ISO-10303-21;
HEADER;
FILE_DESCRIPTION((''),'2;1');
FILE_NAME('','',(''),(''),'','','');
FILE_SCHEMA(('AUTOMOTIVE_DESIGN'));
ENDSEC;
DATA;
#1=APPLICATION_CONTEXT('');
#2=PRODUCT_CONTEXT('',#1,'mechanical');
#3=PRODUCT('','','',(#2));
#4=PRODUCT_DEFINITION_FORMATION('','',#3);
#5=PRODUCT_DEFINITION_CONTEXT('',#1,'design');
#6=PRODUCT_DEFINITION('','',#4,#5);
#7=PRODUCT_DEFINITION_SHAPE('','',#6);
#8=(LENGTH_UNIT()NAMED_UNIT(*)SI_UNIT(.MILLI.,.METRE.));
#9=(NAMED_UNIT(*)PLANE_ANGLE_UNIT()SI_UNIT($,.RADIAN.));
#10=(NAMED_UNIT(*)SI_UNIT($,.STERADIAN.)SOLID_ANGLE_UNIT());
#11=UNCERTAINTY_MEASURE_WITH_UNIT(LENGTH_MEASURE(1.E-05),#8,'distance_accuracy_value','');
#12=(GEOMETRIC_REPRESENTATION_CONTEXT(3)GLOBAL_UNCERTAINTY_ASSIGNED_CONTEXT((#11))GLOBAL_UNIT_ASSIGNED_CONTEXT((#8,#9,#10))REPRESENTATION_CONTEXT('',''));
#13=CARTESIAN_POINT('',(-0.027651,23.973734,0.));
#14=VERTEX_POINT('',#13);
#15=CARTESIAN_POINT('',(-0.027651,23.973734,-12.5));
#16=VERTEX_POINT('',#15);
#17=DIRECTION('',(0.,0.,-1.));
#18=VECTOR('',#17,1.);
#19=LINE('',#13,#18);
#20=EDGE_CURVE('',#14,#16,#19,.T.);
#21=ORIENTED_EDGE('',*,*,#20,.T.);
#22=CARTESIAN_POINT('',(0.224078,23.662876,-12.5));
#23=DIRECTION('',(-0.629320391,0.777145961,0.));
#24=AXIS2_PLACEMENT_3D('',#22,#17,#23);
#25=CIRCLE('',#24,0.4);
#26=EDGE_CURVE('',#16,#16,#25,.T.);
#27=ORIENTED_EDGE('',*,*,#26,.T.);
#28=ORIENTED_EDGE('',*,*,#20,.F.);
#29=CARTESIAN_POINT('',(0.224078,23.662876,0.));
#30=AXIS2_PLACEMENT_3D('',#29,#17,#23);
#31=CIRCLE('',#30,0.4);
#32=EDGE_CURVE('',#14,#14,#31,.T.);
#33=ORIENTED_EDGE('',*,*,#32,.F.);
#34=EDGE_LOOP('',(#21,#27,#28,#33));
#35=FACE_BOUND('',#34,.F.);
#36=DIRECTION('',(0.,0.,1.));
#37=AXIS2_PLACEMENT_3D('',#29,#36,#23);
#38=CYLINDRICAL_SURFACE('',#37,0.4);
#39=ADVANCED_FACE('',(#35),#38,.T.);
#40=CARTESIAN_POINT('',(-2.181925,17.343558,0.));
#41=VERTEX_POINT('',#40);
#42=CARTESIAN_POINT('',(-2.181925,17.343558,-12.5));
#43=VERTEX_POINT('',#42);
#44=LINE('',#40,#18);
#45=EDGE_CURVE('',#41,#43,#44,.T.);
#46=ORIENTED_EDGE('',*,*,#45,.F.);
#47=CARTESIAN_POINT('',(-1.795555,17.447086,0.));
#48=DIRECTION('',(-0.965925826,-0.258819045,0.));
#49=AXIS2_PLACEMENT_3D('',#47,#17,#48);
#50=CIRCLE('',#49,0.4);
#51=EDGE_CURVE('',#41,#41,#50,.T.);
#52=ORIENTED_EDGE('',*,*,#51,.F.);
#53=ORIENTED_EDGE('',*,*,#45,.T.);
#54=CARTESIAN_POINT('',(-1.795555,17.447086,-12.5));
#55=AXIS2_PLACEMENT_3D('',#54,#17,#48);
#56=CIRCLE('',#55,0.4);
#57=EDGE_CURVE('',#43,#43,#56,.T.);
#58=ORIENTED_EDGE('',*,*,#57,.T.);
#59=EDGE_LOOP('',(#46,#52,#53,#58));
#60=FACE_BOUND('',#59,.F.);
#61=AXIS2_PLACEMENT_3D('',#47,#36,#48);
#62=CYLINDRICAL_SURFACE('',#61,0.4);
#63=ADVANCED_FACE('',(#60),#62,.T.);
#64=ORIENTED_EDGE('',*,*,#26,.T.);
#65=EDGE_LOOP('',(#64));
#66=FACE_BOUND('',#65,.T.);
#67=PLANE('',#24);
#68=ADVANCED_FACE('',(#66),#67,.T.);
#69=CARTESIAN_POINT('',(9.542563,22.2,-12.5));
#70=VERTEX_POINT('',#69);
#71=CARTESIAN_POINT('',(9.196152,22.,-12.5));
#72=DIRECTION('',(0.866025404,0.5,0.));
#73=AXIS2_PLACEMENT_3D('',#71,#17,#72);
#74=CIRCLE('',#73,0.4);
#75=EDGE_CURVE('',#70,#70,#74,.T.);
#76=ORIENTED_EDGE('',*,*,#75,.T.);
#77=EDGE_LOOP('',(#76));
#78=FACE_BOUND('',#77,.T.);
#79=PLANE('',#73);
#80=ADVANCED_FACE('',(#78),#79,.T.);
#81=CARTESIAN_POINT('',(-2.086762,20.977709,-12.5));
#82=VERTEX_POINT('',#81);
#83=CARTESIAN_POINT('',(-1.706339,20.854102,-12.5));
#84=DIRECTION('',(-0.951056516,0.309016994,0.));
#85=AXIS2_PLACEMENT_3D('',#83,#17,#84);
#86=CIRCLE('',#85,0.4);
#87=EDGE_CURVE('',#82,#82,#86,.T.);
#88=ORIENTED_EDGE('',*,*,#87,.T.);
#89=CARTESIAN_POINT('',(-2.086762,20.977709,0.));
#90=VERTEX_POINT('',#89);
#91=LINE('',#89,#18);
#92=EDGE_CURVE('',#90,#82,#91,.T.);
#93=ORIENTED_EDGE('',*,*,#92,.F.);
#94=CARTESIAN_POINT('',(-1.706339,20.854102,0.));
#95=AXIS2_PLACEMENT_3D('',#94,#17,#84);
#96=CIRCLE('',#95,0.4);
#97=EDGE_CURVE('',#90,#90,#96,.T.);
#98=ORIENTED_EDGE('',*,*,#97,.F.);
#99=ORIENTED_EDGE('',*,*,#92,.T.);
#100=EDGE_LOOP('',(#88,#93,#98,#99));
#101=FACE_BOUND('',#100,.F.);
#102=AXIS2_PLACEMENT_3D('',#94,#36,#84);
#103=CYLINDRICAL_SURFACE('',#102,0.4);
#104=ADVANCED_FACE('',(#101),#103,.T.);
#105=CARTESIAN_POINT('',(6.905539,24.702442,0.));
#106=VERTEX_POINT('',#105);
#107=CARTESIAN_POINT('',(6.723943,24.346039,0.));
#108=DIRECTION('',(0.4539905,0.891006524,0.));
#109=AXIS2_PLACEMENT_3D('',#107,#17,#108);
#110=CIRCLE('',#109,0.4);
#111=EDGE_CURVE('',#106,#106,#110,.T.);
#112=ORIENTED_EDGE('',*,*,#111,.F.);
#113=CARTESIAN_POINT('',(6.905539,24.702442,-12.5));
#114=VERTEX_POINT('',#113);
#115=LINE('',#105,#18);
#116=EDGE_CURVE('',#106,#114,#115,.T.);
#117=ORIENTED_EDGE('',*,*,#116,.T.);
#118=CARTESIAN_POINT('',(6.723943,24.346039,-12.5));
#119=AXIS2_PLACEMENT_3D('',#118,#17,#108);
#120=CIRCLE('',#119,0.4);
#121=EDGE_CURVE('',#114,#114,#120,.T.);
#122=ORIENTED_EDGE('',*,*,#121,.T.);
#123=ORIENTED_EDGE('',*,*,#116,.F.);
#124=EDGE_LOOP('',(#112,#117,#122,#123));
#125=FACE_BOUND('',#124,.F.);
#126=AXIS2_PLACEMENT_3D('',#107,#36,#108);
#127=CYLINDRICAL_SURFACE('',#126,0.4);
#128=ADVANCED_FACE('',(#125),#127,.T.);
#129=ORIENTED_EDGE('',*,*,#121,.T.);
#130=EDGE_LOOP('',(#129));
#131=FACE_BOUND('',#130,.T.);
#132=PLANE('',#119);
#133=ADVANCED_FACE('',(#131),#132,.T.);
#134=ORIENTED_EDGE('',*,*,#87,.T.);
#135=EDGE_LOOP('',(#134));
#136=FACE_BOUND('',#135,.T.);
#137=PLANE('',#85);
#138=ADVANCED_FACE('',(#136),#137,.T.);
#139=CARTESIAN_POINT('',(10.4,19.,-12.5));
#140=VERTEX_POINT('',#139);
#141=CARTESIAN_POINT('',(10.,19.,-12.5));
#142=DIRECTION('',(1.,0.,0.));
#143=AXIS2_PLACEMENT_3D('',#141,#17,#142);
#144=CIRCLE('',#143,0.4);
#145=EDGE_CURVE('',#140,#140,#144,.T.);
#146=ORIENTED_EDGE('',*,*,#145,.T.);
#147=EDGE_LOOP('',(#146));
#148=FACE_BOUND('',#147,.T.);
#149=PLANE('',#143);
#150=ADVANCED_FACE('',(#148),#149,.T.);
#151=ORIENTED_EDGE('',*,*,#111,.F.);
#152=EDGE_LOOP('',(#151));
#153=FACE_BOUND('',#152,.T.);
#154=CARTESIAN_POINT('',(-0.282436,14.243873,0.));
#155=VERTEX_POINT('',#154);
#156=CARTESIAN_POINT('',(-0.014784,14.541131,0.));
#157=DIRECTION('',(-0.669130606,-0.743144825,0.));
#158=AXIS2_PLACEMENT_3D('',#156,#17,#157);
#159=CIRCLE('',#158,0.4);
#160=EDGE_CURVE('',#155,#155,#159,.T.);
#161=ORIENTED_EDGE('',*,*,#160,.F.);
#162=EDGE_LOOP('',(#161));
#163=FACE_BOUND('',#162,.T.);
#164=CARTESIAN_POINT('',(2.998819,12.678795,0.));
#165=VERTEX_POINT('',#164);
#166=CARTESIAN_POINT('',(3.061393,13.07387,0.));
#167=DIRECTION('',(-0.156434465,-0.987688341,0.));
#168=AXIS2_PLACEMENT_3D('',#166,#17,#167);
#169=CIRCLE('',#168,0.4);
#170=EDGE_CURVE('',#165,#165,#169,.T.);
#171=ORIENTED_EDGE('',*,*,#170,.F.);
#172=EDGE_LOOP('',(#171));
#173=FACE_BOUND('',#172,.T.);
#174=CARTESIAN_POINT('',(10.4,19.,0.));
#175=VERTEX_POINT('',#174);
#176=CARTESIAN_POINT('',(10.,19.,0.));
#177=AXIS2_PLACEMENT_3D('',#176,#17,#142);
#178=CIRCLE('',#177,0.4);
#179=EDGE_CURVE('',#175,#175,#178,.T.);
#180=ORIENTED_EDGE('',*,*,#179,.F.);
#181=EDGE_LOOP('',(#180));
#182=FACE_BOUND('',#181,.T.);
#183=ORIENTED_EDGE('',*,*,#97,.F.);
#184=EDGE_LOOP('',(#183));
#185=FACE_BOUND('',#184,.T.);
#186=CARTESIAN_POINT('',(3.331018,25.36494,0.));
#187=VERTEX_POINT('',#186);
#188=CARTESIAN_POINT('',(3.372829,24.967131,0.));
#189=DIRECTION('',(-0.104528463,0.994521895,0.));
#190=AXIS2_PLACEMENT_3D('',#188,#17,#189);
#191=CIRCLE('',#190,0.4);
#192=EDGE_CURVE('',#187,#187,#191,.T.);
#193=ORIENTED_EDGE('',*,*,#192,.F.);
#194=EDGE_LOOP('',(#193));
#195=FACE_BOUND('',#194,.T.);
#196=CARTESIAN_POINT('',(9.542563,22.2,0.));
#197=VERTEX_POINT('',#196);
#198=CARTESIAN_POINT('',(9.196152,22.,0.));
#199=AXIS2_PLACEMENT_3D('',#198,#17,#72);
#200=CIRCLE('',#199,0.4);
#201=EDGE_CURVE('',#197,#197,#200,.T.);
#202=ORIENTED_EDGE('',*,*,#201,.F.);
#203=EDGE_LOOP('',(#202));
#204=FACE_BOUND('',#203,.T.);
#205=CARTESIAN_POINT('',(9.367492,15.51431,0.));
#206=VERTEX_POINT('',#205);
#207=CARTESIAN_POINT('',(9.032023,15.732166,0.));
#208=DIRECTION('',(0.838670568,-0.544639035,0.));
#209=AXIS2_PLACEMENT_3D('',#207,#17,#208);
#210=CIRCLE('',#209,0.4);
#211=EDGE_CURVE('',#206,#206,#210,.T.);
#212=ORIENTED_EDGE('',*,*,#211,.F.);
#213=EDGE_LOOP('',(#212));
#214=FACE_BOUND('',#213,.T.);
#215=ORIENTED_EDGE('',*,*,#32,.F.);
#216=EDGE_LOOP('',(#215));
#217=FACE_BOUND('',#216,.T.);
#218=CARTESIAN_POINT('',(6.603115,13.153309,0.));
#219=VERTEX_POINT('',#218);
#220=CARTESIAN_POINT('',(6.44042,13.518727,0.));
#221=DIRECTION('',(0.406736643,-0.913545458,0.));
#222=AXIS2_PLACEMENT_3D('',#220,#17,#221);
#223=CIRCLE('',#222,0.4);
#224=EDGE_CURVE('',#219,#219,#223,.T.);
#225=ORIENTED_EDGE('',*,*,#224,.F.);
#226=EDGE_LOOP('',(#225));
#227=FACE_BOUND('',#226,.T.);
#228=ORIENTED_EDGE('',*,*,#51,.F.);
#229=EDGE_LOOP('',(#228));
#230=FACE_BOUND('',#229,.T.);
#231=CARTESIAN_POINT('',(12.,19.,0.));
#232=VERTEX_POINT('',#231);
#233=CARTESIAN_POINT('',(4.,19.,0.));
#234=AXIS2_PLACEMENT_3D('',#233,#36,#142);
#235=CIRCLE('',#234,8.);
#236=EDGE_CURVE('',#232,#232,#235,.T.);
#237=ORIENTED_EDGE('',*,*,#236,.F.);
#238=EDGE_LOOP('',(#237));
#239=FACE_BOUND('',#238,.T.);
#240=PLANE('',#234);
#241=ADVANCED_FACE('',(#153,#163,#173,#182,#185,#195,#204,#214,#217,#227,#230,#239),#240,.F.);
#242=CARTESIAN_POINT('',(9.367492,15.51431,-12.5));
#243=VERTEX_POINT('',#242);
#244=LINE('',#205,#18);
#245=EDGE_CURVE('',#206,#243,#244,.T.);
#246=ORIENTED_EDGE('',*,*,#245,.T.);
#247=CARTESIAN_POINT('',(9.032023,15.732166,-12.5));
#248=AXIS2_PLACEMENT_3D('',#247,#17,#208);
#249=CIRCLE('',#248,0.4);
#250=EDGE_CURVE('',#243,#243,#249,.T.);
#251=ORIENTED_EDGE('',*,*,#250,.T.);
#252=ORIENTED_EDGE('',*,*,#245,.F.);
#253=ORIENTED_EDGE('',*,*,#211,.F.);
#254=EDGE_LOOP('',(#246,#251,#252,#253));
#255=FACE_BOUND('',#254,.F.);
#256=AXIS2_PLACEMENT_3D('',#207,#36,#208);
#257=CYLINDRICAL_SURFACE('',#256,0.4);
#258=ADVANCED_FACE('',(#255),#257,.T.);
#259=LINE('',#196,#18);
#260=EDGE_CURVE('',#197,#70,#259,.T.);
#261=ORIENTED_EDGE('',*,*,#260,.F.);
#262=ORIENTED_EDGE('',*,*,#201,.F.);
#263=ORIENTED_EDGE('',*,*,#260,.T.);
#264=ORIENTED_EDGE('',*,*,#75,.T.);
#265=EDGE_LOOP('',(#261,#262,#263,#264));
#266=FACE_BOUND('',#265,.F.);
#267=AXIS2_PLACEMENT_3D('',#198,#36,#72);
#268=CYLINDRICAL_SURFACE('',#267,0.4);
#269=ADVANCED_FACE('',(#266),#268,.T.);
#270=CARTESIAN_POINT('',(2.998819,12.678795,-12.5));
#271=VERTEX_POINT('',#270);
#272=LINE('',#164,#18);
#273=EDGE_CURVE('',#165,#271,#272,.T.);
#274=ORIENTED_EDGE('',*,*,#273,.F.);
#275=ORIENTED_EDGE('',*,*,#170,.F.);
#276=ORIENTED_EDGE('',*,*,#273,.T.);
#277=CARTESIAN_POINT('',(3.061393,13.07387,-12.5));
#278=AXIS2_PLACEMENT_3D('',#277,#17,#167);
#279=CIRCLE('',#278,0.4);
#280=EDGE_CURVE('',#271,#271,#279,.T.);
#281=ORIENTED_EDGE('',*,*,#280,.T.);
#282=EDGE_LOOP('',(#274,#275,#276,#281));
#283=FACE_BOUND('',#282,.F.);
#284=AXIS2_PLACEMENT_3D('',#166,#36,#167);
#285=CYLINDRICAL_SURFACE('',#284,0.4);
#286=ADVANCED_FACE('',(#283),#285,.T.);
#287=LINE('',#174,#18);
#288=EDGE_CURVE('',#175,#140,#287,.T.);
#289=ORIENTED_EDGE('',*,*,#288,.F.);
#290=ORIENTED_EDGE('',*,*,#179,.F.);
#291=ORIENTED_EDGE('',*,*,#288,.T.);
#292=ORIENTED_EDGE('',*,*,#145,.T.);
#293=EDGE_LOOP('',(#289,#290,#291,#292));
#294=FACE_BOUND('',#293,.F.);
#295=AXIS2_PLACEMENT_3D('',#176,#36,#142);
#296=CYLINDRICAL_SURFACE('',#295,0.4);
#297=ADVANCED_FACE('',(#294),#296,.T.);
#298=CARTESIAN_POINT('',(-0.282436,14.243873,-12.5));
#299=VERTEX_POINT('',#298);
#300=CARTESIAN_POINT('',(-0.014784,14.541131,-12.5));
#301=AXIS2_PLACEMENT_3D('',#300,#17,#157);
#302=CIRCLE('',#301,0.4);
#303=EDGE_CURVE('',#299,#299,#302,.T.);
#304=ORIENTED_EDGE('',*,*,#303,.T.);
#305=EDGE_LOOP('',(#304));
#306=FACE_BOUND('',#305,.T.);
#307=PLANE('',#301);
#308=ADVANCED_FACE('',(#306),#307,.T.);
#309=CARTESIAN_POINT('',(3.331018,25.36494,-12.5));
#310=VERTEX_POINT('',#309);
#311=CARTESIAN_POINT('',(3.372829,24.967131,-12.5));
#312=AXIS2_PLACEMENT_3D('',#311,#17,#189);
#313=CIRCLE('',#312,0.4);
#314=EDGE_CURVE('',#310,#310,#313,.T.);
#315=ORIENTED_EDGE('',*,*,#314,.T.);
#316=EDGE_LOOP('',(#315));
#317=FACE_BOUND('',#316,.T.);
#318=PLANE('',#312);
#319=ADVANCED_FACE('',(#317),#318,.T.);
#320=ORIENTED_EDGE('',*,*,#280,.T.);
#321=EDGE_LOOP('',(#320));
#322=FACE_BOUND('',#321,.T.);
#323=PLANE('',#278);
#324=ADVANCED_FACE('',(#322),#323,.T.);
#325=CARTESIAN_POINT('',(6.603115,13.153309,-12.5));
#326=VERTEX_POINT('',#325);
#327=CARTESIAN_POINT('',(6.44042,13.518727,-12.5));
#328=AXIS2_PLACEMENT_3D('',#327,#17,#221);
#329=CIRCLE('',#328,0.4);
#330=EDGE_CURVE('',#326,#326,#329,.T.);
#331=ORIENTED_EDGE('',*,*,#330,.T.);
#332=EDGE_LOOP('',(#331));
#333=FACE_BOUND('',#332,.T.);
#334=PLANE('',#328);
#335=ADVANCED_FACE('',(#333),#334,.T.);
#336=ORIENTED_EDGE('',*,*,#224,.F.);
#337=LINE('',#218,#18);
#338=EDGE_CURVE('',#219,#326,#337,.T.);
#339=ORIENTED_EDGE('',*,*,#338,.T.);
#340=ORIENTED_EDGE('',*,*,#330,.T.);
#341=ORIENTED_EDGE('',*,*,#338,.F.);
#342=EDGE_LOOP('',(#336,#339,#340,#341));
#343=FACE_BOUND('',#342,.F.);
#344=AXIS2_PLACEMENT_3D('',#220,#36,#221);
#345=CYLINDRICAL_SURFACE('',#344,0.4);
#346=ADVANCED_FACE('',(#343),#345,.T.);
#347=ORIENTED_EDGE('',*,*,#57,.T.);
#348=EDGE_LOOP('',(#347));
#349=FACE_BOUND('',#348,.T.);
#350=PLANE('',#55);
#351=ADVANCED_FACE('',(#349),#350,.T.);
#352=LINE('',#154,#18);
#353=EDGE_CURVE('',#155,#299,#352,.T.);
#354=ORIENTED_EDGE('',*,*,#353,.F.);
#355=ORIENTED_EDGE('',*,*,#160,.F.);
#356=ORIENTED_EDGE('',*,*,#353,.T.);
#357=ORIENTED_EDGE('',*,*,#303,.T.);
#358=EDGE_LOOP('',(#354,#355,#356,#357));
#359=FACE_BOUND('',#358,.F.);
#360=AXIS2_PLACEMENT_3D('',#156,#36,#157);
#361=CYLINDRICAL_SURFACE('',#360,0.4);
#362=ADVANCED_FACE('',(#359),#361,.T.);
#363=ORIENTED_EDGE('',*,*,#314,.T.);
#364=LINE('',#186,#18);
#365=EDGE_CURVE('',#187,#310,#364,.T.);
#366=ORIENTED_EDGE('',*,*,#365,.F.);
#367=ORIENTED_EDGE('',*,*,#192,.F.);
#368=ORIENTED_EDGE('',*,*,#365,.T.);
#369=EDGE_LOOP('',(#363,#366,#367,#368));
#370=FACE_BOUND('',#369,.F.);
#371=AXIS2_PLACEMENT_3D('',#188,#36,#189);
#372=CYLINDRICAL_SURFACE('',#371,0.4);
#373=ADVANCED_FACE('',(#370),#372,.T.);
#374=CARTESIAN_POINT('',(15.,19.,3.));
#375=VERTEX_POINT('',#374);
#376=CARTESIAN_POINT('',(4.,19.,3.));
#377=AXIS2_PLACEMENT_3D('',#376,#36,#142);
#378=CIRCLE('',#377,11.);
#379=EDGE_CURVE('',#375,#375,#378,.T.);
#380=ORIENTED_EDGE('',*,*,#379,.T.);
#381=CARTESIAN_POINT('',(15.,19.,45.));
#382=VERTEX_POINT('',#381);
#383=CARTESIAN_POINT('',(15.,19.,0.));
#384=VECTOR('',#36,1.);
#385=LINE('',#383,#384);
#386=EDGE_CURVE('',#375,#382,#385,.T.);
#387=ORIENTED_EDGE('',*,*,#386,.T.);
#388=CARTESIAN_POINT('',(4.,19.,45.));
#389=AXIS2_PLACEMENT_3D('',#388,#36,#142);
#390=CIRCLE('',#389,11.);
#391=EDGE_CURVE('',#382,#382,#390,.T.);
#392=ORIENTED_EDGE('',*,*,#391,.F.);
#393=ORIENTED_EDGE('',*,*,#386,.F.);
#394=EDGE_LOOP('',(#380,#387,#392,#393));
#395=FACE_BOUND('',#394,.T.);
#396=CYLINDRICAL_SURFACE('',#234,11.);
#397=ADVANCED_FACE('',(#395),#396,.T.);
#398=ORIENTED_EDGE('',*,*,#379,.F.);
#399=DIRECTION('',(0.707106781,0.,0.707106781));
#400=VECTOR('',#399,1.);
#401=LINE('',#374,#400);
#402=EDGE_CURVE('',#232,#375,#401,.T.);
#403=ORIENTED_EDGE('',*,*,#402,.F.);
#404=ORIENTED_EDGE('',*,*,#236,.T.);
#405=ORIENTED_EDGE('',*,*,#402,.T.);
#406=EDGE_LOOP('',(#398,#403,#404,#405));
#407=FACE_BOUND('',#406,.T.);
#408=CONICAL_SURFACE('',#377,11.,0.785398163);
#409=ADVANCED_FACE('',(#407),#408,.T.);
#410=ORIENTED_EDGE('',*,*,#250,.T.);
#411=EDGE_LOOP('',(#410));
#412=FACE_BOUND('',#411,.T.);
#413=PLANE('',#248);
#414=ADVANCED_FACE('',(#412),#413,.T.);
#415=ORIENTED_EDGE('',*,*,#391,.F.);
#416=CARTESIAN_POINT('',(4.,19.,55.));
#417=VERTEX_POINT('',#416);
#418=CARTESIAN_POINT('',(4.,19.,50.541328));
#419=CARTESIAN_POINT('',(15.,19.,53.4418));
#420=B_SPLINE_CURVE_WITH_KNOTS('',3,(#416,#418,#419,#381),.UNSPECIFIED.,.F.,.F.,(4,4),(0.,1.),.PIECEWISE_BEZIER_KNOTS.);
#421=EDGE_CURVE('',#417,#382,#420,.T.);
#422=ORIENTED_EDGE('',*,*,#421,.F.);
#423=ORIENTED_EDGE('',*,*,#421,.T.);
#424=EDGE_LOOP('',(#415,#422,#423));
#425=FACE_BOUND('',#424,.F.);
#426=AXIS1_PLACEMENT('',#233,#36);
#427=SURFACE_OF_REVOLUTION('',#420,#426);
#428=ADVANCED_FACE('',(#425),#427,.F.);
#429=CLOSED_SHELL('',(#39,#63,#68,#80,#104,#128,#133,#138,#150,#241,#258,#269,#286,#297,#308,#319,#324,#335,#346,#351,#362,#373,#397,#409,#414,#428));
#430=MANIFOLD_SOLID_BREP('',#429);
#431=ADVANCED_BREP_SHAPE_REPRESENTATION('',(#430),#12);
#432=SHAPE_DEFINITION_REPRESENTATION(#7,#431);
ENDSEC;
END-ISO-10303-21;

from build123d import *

# Parameters (mm, degrees)
CHAMFER001_SIZE    = 3
SKETCH013_R        = 0.4
PAD008_DEPTH       = 12.5
POLARPATTERN_COUNT = 11
POLARPATTERN_ANGLE = 330


with BuildPart() as part:
    # Sketch012 → Revolution (revolve)
    with BuildSketch(Plane.XZ):
        with BuildLine():
            Line((0, 55), (0, 0))
            Line((0, 0), (11, 0))
            Line((11, 0), (11, 45))
            add(Edge.make_bspline(
                [(0, 55), (0, 50.541328), (11, 53.4418), (11, 45)],
                knots=[0, 0, 0, 0, 1, 1, 1, 1], degree=3))
        make_face()
    revolve(axis=Axis((0, 0, 0), (0, 0, 1)))

    # Chamfer001
    chamfer001_edges = [part.edges().sort_by_distance(p)[0] for p in [
        (-11, 0, 0),
    ]]
    chamfer(chamfer001_edges, length=CHAMFER001_SIZE)

    # Sketch013 (on Face1 of Revolution) → Pad008 (new body)
    with BuildSketch(Plane(origin=(0, 0, 0), x_dir=(1, 0, 0), z_dir=(0, 0, -1))):
        with Locations((6, 0)):
            Circle(SKETCH013_R)
    pad008 = extrude(amount=PAD008_DEPTH)

    # PolarPattern: Pad008 ×11 about axis
    polarpattern_axis = Axis((0, 0, 0), (0, 0, -1))
    for i in range(1, POLARPATTERN_COUNT):
        add(pad008.rotate(polarpattern_axis, i * POLARPATTERN_ANGLE / (POLARPATTERN_COUNT - 1)))


with BuildPart() as part_1:
    # Body002 placement: moved
    add(part.part.moved(Location((4, 19, 0))))


solid = part_1.part
